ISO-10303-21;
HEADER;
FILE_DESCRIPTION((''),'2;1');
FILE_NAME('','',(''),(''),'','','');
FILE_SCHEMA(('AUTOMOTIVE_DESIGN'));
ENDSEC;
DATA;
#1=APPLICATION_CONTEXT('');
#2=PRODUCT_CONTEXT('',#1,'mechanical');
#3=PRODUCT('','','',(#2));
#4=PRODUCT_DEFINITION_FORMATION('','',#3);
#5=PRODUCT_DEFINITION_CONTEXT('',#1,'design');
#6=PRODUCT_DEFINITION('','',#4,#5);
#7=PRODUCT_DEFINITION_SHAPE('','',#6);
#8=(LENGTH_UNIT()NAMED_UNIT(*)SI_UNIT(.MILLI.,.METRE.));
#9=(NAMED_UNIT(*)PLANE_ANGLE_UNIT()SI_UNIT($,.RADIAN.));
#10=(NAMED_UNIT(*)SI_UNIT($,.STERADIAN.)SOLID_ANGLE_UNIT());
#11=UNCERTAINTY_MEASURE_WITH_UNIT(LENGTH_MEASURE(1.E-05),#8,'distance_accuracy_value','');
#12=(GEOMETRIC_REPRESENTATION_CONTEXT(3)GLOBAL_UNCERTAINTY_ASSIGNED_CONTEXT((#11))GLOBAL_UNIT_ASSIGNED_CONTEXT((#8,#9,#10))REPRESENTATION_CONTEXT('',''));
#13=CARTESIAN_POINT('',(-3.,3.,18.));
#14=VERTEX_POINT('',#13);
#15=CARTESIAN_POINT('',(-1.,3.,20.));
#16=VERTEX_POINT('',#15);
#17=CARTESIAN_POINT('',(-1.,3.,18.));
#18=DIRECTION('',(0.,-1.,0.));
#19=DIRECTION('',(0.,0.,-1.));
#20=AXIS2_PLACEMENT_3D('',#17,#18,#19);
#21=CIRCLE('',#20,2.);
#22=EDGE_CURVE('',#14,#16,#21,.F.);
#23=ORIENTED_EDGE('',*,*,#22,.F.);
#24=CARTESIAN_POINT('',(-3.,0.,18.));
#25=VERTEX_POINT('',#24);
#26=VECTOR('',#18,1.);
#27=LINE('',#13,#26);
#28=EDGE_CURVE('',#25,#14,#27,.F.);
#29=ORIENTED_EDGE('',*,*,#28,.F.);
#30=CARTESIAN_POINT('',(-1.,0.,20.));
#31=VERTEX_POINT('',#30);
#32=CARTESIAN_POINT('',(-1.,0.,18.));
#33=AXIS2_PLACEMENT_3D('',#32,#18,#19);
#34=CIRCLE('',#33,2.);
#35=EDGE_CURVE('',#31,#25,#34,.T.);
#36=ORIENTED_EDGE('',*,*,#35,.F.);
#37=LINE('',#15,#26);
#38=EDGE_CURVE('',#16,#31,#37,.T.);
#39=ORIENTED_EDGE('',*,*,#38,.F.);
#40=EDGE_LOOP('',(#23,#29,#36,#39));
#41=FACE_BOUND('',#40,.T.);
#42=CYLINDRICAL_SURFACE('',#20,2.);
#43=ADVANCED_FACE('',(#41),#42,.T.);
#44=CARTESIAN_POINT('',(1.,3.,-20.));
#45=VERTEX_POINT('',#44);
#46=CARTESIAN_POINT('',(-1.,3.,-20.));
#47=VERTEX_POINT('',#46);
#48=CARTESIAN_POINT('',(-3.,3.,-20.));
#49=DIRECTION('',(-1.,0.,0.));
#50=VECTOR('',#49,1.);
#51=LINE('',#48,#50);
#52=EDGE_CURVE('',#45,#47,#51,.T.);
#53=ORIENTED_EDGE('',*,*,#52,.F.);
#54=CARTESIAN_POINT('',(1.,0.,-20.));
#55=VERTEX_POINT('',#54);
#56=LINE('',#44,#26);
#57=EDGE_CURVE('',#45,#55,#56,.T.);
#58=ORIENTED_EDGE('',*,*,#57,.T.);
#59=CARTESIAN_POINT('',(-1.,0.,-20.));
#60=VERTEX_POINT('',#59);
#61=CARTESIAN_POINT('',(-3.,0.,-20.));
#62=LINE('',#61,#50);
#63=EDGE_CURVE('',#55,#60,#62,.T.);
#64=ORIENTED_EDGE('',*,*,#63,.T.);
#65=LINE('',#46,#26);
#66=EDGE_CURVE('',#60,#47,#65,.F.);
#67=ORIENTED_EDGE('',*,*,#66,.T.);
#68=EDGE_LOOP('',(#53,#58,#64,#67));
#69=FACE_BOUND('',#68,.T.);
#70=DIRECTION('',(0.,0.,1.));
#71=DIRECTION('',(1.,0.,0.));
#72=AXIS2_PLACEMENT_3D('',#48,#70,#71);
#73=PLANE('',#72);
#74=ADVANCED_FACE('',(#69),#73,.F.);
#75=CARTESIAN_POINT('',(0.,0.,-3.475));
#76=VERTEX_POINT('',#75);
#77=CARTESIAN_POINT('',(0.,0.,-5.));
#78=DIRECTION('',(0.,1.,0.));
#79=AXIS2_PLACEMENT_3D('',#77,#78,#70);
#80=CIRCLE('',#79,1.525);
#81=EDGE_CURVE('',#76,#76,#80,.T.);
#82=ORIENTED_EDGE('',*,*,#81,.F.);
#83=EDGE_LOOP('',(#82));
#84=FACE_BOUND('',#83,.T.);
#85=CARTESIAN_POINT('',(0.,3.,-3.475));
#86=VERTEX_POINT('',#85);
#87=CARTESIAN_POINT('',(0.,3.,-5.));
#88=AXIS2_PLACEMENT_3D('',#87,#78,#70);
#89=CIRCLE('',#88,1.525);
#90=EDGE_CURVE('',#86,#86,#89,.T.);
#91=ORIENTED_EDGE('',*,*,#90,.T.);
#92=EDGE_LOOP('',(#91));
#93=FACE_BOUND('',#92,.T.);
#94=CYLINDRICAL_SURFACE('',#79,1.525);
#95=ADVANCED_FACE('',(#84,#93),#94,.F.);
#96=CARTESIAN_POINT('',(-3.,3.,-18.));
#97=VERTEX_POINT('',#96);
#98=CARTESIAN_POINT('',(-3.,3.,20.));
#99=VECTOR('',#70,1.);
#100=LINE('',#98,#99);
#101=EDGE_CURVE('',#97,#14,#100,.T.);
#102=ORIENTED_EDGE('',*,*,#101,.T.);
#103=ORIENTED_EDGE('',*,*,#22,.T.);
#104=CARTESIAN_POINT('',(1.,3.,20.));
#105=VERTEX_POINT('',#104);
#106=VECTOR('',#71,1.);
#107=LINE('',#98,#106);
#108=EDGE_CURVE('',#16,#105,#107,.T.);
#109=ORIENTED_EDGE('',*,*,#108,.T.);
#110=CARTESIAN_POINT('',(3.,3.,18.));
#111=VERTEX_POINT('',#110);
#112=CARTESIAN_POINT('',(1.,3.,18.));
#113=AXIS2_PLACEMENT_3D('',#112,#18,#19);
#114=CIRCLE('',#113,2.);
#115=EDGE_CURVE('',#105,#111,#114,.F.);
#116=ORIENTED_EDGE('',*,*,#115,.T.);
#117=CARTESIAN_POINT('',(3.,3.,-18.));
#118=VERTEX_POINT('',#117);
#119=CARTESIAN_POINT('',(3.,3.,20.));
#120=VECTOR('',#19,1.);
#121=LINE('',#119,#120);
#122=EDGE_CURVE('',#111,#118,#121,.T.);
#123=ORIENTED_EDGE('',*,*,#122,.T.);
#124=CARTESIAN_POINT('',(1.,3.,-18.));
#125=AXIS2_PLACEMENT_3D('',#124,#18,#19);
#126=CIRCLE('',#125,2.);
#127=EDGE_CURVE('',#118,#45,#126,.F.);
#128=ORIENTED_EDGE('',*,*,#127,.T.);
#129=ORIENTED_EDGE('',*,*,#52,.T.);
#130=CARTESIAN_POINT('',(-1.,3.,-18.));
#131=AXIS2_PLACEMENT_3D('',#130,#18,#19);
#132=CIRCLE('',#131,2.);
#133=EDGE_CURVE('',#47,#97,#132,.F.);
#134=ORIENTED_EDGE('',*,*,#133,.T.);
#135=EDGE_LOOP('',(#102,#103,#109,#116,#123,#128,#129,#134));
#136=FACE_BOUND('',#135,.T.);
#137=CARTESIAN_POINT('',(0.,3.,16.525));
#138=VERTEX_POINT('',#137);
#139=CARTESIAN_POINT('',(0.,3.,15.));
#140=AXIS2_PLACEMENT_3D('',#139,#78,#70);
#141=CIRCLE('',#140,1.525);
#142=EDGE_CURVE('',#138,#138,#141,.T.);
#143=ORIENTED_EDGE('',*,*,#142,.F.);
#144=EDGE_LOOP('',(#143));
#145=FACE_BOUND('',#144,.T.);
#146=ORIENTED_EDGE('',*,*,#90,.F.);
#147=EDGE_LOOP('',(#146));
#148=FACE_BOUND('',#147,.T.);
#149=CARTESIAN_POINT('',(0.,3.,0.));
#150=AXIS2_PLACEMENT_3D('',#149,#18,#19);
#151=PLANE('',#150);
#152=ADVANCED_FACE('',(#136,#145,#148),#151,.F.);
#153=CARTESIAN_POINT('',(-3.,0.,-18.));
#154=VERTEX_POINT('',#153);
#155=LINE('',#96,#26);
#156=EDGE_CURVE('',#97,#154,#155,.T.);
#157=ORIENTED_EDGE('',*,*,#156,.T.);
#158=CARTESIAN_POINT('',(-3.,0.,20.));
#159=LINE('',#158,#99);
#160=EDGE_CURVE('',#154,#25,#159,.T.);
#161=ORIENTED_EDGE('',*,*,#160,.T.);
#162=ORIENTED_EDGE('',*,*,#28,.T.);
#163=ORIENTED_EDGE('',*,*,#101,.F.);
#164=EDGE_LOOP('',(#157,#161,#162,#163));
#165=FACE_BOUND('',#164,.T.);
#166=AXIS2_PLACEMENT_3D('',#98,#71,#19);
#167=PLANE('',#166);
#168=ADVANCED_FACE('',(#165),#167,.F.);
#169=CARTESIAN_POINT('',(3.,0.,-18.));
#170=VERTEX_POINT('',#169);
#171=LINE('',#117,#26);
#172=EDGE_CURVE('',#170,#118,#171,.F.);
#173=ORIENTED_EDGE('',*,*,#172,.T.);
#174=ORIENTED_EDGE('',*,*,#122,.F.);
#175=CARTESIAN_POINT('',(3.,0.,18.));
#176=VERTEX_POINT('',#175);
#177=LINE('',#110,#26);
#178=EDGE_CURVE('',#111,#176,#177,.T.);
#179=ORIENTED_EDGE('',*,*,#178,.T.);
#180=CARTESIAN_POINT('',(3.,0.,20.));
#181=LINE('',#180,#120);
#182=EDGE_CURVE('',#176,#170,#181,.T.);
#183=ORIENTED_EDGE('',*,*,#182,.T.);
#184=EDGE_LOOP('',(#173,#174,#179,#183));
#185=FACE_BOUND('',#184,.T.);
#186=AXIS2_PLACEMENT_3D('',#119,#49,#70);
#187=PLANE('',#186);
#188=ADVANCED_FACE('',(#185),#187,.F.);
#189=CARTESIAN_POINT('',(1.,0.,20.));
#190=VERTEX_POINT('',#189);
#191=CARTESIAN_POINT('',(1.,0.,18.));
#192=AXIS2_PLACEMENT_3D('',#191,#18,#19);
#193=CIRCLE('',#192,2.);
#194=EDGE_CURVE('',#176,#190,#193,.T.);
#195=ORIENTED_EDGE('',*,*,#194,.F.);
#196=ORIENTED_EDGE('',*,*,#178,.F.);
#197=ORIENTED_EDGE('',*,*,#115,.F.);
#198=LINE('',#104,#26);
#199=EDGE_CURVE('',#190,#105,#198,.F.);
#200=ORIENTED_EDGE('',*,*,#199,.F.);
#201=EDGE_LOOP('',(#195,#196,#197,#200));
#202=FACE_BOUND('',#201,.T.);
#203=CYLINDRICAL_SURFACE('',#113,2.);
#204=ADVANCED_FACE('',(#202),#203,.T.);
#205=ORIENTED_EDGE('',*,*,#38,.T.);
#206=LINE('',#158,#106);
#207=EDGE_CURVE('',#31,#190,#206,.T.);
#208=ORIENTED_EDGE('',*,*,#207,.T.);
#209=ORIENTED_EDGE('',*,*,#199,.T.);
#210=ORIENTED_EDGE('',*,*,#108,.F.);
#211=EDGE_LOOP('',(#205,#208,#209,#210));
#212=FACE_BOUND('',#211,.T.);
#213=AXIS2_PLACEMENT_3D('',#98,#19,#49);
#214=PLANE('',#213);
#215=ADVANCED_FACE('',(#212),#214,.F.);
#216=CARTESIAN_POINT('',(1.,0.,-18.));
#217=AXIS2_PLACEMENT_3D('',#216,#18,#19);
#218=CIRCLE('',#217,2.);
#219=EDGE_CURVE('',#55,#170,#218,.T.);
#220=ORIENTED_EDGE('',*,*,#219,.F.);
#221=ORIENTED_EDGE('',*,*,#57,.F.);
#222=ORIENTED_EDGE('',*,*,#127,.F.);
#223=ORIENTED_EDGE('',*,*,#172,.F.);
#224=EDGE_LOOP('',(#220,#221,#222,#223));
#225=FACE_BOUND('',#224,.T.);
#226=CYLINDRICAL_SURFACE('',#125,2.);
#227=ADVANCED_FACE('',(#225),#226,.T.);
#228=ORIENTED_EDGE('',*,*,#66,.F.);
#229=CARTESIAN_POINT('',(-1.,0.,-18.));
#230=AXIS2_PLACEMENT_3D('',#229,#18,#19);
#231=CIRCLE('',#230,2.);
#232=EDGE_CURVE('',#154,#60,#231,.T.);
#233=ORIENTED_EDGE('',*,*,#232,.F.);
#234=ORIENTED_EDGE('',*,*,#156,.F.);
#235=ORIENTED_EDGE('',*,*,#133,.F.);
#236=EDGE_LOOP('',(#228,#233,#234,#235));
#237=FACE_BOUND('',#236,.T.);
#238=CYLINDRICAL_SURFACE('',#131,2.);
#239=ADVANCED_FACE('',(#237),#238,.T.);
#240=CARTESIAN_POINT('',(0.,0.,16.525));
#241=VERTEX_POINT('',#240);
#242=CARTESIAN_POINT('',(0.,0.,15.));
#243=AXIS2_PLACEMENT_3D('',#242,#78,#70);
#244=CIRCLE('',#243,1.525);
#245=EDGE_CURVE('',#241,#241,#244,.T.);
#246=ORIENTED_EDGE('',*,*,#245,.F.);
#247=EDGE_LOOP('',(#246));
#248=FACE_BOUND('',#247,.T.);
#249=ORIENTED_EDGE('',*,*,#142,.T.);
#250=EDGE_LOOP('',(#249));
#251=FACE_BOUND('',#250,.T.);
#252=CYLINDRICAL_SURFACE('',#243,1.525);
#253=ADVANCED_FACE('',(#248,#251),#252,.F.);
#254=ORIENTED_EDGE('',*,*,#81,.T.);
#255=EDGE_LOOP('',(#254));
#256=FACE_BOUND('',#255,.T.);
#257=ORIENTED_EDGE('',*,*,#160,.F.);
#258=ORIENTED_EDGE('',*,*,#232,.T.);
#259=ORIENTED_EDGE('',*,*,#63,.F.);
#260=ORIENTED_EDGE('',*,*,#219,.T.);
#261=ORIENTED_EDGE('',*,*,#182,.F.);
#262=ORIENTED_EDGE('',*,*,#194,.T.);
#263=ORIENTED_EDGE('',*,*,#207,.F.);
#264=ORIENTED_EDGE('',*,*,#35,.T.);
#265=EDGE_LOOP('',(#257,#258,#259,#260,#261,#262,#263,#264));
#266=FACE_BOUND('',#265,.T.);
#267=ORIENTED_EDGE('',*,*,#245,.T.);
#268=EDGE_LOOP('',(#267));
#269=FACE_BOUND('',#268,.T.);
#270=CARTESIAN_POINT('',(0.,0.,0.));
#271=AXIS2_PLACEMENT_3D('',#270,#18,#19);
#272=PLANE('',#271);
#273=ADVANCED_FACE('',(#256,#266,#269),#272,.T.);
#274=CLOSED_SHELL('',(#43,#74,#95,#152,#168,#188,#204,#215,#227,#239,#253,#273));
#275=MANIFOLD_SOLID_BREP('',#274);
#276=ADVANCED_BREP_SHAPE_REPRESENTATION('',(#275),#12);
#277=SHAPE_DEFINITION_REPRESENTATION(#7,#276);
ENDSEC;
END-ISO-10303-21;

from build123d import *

# Parameters (mm, degrees)
SKETCH_1_W          = 6
SKETCH_1_H          = 40
EXTRUDE_1_DEPTH     = 3
FILLET_1_R          = 2
SKETCH_2_R          = 1.525
CUT_EXTRUDE_1_DEPTH = 3


with BuildPart() as part:
    # 草图1 → 凸台-拉伸1 (new body)
    with BuildSketch(Plane(origin=(0, 0, 0), x_dir=(1, 0, 0), z_dir=(0, 1, 0))):
        Rectangle(SKETCH_1_W, SKETCH_1_H)
    extrude(amount=EXTRUDE_1_DEPTH)

    # 圆角1
    fillet_1_edges = [part.edges().sort_by_distance(p)[0] for p in [
        (3, 1.5, 20),
        (-3, 1.5, 20),
        (-3, 1.5, -20),
        (3, 1.5, -20),
    ]]
    fillet(fillet_1_edges, radius=FILLET_1_R)

    # 草图2 → 切除-拉伸1 (cut)
    with BuildSketch(Plane(origin=(0, 3, 0), x_dir=(1, 0, 0), z_dir=(0, 1, 0))):
        with Locations((0, 5)):
            Circle(SKETCH_2_R)
        with Locations((0, -15)):
            Circle(SKETCH_2_R)
    extrude(amount=-CUT_EXTRUDE_1_DEPTH, mode=Mode.SUBTRACT)


solid = part.part
